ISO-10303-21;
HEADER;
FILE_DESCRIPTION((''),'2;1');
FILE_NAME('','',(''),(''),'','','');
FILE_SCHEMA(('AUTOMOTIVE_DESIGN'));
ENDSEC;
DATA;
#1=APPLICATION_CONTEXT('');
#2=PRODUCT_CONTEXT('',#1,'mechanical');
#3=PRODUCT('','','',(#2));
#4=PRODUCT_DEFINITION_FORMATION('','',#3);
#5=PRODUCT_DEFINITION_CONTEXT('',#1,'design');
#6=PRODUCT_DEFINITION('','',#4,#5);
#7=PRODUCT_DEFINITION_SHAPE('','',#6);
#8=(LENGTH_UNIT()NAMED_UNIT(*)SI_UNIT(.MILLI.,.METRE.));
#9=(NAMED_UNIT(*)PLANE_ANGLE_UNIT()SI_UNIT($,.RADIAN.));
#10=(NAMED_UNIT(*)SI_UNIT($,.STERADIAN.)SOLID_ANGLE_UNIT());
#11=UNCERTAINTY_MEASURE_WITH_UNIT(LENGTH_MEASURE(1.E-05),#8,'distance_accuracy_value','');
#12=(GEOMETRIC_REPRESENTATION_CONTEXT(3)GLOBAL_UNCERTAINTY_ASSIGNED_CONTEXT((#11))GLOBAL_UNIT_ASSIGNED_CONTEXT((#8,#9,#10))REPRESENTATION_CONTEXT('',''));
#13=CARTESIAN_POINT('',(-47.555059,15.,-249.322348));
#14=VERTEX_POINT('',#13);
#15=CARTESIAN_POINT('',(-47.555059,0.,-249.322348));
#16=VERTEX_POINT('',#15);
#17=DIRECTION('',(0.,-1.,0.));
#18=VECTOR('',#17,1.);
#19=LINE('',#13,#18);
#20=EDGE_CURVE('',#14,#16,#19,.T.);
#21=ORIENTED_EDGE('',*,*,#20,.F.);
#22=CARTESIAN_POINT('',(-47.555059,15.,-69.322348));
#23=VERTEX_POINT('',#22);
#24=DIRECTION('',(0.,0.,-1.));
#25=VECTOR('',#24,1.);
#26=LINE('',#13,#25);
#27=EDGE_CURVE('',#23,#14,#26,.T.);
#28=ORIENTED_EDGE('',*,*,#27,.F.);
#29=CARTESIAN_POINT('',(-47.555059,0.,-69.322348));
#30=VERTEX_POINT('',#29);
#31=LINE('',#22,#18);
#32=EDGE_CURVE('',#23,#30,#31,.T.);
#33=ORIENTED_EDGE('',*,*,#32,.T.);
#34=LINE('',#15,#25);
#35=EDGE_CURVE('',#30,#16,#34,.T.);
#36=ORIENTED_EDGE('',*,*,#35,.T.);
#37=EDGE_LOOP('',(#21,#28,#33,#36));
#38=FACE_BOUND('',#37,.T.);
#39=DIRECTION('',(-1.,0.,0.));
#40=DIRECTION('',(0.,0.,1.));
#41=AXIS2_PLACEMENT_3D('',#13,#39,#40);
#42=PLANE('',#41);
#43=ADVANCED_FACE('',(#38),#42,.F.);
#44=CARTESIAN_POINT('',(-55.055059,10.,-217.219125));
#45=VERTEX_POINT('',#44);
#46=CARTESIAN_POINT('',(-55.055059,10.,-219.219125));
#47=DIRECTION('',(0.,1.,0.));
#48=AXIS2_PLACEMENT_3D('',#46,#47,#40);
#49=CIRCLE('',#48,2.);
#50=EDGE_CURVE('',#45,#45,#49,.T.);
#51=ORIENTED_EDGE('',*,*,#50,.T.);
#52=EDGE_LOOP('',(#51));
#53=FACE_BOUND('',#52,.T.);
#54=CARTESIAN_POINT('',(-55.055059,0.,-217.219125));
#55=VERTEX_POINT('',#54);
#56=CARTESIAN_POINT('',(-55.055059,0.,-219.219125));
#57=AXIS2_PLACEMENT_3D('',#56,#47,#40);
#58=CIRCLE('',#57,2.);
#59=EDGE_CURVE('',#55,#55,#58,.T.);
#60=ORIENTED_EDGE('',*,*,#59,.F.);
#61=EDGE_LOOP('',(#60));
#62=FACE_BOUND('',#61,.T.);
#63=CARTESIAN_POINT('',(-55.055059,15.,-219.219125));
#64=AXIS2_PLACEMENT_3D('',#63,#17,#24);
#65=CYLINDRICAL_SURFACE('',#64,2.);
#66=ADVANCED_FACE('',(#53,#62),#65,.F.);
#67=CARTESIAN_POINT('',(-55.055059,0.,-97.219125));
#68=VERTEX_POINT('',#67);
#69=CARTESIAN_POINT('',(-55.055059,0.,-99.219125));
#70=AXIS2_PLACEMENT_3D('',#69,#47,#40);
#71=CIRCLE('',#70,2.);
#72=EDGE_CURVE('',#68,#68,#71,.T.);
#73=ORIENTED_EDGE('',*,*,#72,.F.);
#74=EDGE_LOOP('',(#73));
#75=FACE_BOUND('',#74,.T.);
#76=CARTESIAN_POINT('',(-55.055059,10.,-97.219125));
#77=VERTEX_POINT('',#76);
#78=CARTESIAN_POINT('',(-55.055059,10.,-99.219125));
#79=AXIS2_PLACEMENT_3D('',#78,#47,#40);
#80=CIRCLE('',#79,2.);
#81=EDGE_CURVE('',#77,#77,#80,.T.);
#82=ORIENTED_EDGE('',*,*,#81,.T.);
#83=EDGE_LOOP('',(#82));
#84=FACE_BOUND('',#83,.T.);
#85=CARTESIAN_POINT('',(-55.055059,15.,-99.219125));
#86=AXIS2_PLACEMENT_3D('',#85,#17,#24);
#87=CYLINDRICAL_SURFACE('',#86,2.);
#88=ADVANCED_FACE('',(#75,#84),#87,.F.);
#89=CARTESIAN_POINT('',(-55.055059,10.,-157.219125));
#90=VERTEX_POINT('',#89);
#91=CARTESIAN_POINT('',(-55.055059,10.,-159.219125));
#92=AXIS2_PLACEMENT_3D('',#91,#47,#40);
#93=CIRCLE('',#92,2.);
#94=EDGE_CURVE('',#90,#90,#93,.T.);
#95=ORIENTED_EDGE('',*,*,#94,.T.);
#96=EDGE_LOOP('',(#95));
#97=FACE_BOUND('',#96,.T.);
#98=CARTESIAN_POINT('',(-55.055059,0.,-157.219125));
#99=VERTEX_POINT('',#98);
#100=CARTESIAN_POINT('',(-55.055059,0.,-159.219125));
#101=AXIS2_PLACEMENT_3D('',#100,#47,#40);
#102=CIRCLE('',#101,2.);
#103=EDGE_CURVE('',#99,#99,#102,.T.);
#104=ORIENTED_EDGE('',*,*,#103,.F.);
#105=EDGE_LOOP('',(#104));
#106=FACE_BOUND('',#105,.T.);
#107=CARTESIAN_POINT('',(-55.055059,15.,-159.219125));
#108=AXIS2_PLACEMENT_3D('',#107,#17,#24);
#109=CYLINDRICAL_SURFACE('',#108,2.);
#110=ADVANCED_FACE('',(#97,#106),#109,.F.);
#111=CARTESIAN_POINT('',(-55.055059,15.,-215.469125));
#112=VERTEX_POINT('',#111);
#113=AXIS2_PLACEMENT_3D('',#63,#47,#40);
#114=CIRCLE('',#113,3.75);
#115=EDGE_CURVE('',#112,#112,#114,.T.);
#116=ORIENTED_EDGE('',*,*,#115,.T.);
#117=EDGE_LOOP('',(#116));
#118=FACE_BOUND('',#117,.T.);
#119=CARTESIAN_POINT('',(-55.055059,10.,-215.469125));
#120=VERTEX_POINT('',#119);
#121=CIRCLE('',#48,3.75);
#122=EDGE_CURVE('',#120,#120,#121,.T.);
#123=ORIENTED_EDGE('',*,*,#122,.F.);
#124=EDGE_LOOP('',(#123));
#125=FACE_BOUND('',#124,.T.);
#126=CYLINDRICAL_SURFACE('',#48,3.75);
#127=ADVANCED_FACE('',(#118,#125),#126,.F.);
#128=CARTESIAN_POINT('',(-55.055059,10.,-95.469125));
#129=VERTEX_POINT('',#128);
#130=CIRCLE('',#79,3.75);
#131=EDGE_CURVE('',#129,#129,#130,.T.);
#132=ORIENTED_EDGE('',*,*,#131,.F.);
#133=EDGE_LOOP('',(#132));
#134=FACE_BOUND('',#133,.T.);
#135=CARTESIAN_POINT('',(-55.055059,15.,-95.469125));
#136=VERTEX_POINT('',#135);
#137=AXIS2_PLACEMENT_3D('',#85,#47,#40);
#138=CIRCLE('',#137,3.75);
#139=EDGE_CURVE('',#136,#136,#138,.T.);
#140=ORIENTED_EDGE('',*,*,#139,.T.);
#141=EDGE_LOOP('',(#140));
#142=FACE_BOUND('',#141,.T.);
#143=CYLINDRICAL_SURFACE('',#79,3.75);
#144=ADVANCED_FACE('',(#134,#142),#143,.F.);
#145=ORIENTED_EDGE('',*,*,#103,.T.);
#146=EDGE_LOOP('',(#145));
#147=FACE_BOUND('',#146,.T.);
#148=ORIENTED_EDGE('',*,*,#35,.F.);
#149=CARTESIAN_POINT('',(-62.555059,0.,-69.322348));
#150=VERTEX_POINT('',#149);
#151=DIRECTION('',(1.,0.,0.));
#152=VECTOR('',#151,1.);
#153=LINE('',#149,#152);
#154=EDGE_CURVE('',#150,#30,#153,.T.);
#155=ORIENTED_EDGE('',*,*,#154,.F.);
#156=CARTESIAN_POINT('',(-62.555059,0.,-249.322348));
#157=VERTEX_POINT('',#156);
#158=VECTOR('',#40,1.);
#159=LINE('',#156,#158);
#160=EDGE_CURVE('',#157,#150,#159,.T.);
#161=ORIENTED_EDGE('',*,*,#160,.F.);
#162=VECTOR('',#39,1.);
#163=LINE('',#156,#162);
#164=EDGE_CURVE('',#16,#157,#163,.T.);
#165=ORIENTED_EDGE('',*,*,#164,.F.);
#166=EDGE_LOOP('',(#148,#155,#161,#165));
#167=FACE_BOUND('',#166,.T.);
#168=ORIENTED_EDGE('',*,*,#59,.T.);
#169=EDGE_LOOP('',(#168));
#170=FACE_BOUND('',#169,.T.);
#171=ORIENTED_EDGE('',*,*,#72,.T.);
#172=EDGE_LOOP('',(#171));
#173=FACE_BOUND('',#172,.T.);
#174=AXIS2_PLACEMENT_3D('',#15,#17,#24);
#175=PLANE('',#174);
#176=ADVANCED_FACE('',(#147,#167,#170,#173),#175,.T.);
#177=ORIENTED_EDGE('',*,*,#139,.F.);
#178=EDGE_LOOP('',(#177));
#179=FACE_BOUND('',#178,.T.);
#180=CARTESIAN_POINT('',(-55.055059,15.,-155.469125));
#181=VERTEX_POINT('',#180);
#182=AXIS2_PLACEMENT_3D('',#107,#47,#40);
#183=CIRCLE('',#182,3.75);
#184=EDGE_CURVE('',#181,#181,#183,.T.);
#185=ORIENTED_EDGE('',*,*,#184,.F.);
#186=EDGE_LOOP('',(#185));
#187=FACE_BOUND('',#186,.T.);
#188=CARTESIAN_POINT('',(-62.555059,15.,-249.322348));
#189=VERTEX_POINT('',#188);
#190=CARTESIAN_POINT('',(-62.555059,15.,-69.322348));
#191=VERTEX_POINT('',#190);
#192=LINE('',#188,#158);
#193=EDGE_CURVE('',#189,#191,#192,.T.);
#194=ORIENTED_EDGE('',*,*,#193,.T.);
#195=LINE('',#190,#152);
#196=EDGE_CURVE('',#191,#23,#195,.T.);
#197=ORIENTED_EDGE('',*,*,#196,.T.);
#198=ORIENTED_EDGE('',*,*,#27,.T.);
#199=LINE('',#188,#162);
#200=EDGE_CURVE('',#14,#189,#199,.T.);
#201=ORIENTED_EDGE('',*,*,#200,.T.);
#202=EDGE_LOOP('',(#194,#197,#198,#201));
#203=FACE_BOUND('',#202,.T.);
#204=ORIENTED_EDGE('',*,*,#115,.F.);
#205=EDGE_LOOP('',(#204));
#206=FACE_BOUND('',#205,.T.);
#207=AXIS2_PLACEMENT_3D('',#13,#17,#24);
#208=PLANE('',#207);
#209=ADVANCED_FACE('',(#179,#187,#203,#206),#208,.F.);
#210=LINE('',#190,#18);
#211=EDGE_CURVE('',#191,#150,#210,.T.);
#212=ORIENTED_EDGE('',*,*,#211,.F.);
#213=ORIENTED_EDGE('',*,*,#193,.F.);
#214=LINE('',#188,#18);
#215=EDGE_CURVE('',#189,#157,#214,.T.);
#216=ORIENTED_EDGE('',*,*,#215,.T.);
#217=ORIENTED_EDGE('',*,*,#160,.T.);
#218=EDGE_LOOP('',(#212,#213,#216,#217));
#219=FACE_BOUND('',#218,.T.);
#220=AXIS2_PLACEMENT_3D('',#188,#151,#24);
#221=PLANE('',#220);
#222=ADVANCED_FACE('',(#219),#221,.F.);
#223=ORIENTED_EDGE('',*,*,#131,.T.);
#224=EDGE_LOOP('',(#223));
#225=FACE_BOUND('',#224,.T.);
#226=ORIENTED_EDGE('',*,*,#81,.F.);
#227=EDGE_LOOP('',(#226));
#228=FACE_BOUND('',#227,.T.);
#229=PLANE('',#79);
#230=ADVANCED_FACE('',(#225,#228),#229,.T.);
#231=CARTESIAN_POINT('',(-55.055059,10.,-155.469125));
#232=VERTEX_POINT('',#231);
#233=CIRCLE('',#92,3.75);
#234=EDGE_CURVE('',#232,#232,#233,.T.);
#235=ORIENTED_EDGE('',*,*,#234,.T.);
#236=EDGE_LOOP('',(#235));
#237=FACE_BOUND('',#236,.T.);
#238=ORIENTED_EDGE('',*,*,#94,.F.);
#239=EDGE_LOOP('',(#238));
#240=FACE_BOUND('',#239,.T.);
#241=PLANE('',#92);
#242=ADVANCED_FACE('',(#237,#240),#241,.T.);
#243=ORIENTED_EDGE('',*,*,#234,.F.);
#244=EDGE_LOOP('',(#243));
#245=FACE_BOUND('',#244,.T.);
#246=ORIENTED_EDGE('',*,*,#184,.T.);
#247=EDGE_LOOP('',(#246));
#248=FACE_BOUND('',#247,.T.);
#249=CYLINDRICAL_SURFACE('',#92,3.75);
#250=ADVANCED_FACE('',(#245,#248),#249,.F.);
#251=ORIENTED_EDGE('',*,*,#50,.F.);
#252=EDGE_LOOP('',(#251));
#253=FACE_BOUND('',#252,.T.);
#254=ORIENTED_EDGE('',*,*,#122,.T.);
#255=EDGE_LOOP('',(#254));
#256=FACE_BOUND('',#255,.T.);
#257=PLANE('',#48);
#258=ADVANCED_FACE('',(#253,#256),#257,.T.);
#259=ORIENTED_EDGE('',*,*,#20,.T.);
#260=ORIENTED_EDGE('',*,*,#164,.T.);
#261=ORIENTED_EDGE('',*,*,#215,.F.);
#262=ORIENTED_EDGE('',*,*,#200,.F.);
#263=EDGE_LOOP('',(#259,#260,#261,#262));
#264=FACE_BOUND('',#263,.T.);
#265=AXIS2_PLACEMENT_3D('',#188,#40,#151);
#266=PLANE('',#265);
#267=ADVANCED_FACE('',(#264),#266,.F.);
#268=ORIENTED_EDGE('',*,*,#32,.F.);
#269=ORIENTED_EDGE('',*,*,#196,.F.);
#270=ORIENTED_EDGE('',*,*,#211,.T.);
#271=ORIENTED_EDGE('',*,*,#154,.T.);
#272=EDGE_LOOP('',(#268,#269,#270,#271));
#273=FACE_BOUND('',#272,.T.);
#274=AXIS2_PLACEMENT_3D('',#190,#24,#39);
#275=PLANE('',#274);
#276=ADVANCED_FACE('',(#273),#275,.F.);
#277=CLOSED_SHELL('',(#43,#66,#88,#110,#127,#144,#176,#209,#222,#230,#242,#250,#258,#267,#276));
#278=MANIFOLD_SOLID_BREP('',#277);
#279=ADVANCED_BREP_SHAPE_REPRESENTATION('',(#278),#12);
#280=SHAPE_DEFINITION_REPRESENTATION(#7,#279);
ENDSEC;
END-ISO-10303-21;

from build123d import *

# Parameters (mm, degrees)
SKETCH_1_W          = 15
SKETCH_1_H          = 180
SKETCH_1_R          = 2
EXTRUDE_1_DEPTH     = 15
SKETCH_2_R          = 3.75
CUT_EXTRUDE_1_DEPTH = 5


with BuildPart() as part:
    # Эскиз1 → Бобышка-Вытянуть1 (new body)
    with BuildSketch(Plane(origin=(0, 0, 0), x_dir=(1, 0, 0), z_dir=(0, 1, 0))):
        with Locations((-55.055059152, 159.322347884)):
            Rectangle(SKETCH_1_W, SKETCH_1_H)
        with Locations(Location((-55.055059152, 219.219125448, 0), (0, 0, 270))):
            Circle(SKETCH_1_R, mode=Mode.SUBTRACT)
        with Locations(Location((-55.055059152, 159.219125448, 0), (0, 0, 270))):
            Circle(SKETCH_1_R, mode=Mode.SUBTRACT)
        with Locations(Location((-55.055059152, 99.219125448, 0), (0, 0, 270))):
            Circle(SKETCH_1_R, mode=Mode.SUBTRACT)
    extrude(amount=EXTRUDE_1_DEPTH)

    # Эскиз2 → Вырез-Вытянуть1 (cut)
    with BuildSketch(Plane(origin=(0, 15, 0), x_dir=(1, 0, 0), z_dir=(0, 1, 0))):
        with Locations(Location((-55.055059152, 99.219125448, 0), (0, 0, 270))):
            Circle(SKETCH_2_R)
        with Locations(Location((-55.055059152, 159.219125448, 0), (0, 0, 270))):
            Circle(SKETCH_2_R)
        with Locations(Location((-55.055059152, 219.219125448, 0), (0, 0, 270))):
            Circle(SKETCH_2_R)
    extrude(amount=-CUT_EXTRUDE_1_DEPTH, mode=Mode.SUBTRACT)


solid = part.part
